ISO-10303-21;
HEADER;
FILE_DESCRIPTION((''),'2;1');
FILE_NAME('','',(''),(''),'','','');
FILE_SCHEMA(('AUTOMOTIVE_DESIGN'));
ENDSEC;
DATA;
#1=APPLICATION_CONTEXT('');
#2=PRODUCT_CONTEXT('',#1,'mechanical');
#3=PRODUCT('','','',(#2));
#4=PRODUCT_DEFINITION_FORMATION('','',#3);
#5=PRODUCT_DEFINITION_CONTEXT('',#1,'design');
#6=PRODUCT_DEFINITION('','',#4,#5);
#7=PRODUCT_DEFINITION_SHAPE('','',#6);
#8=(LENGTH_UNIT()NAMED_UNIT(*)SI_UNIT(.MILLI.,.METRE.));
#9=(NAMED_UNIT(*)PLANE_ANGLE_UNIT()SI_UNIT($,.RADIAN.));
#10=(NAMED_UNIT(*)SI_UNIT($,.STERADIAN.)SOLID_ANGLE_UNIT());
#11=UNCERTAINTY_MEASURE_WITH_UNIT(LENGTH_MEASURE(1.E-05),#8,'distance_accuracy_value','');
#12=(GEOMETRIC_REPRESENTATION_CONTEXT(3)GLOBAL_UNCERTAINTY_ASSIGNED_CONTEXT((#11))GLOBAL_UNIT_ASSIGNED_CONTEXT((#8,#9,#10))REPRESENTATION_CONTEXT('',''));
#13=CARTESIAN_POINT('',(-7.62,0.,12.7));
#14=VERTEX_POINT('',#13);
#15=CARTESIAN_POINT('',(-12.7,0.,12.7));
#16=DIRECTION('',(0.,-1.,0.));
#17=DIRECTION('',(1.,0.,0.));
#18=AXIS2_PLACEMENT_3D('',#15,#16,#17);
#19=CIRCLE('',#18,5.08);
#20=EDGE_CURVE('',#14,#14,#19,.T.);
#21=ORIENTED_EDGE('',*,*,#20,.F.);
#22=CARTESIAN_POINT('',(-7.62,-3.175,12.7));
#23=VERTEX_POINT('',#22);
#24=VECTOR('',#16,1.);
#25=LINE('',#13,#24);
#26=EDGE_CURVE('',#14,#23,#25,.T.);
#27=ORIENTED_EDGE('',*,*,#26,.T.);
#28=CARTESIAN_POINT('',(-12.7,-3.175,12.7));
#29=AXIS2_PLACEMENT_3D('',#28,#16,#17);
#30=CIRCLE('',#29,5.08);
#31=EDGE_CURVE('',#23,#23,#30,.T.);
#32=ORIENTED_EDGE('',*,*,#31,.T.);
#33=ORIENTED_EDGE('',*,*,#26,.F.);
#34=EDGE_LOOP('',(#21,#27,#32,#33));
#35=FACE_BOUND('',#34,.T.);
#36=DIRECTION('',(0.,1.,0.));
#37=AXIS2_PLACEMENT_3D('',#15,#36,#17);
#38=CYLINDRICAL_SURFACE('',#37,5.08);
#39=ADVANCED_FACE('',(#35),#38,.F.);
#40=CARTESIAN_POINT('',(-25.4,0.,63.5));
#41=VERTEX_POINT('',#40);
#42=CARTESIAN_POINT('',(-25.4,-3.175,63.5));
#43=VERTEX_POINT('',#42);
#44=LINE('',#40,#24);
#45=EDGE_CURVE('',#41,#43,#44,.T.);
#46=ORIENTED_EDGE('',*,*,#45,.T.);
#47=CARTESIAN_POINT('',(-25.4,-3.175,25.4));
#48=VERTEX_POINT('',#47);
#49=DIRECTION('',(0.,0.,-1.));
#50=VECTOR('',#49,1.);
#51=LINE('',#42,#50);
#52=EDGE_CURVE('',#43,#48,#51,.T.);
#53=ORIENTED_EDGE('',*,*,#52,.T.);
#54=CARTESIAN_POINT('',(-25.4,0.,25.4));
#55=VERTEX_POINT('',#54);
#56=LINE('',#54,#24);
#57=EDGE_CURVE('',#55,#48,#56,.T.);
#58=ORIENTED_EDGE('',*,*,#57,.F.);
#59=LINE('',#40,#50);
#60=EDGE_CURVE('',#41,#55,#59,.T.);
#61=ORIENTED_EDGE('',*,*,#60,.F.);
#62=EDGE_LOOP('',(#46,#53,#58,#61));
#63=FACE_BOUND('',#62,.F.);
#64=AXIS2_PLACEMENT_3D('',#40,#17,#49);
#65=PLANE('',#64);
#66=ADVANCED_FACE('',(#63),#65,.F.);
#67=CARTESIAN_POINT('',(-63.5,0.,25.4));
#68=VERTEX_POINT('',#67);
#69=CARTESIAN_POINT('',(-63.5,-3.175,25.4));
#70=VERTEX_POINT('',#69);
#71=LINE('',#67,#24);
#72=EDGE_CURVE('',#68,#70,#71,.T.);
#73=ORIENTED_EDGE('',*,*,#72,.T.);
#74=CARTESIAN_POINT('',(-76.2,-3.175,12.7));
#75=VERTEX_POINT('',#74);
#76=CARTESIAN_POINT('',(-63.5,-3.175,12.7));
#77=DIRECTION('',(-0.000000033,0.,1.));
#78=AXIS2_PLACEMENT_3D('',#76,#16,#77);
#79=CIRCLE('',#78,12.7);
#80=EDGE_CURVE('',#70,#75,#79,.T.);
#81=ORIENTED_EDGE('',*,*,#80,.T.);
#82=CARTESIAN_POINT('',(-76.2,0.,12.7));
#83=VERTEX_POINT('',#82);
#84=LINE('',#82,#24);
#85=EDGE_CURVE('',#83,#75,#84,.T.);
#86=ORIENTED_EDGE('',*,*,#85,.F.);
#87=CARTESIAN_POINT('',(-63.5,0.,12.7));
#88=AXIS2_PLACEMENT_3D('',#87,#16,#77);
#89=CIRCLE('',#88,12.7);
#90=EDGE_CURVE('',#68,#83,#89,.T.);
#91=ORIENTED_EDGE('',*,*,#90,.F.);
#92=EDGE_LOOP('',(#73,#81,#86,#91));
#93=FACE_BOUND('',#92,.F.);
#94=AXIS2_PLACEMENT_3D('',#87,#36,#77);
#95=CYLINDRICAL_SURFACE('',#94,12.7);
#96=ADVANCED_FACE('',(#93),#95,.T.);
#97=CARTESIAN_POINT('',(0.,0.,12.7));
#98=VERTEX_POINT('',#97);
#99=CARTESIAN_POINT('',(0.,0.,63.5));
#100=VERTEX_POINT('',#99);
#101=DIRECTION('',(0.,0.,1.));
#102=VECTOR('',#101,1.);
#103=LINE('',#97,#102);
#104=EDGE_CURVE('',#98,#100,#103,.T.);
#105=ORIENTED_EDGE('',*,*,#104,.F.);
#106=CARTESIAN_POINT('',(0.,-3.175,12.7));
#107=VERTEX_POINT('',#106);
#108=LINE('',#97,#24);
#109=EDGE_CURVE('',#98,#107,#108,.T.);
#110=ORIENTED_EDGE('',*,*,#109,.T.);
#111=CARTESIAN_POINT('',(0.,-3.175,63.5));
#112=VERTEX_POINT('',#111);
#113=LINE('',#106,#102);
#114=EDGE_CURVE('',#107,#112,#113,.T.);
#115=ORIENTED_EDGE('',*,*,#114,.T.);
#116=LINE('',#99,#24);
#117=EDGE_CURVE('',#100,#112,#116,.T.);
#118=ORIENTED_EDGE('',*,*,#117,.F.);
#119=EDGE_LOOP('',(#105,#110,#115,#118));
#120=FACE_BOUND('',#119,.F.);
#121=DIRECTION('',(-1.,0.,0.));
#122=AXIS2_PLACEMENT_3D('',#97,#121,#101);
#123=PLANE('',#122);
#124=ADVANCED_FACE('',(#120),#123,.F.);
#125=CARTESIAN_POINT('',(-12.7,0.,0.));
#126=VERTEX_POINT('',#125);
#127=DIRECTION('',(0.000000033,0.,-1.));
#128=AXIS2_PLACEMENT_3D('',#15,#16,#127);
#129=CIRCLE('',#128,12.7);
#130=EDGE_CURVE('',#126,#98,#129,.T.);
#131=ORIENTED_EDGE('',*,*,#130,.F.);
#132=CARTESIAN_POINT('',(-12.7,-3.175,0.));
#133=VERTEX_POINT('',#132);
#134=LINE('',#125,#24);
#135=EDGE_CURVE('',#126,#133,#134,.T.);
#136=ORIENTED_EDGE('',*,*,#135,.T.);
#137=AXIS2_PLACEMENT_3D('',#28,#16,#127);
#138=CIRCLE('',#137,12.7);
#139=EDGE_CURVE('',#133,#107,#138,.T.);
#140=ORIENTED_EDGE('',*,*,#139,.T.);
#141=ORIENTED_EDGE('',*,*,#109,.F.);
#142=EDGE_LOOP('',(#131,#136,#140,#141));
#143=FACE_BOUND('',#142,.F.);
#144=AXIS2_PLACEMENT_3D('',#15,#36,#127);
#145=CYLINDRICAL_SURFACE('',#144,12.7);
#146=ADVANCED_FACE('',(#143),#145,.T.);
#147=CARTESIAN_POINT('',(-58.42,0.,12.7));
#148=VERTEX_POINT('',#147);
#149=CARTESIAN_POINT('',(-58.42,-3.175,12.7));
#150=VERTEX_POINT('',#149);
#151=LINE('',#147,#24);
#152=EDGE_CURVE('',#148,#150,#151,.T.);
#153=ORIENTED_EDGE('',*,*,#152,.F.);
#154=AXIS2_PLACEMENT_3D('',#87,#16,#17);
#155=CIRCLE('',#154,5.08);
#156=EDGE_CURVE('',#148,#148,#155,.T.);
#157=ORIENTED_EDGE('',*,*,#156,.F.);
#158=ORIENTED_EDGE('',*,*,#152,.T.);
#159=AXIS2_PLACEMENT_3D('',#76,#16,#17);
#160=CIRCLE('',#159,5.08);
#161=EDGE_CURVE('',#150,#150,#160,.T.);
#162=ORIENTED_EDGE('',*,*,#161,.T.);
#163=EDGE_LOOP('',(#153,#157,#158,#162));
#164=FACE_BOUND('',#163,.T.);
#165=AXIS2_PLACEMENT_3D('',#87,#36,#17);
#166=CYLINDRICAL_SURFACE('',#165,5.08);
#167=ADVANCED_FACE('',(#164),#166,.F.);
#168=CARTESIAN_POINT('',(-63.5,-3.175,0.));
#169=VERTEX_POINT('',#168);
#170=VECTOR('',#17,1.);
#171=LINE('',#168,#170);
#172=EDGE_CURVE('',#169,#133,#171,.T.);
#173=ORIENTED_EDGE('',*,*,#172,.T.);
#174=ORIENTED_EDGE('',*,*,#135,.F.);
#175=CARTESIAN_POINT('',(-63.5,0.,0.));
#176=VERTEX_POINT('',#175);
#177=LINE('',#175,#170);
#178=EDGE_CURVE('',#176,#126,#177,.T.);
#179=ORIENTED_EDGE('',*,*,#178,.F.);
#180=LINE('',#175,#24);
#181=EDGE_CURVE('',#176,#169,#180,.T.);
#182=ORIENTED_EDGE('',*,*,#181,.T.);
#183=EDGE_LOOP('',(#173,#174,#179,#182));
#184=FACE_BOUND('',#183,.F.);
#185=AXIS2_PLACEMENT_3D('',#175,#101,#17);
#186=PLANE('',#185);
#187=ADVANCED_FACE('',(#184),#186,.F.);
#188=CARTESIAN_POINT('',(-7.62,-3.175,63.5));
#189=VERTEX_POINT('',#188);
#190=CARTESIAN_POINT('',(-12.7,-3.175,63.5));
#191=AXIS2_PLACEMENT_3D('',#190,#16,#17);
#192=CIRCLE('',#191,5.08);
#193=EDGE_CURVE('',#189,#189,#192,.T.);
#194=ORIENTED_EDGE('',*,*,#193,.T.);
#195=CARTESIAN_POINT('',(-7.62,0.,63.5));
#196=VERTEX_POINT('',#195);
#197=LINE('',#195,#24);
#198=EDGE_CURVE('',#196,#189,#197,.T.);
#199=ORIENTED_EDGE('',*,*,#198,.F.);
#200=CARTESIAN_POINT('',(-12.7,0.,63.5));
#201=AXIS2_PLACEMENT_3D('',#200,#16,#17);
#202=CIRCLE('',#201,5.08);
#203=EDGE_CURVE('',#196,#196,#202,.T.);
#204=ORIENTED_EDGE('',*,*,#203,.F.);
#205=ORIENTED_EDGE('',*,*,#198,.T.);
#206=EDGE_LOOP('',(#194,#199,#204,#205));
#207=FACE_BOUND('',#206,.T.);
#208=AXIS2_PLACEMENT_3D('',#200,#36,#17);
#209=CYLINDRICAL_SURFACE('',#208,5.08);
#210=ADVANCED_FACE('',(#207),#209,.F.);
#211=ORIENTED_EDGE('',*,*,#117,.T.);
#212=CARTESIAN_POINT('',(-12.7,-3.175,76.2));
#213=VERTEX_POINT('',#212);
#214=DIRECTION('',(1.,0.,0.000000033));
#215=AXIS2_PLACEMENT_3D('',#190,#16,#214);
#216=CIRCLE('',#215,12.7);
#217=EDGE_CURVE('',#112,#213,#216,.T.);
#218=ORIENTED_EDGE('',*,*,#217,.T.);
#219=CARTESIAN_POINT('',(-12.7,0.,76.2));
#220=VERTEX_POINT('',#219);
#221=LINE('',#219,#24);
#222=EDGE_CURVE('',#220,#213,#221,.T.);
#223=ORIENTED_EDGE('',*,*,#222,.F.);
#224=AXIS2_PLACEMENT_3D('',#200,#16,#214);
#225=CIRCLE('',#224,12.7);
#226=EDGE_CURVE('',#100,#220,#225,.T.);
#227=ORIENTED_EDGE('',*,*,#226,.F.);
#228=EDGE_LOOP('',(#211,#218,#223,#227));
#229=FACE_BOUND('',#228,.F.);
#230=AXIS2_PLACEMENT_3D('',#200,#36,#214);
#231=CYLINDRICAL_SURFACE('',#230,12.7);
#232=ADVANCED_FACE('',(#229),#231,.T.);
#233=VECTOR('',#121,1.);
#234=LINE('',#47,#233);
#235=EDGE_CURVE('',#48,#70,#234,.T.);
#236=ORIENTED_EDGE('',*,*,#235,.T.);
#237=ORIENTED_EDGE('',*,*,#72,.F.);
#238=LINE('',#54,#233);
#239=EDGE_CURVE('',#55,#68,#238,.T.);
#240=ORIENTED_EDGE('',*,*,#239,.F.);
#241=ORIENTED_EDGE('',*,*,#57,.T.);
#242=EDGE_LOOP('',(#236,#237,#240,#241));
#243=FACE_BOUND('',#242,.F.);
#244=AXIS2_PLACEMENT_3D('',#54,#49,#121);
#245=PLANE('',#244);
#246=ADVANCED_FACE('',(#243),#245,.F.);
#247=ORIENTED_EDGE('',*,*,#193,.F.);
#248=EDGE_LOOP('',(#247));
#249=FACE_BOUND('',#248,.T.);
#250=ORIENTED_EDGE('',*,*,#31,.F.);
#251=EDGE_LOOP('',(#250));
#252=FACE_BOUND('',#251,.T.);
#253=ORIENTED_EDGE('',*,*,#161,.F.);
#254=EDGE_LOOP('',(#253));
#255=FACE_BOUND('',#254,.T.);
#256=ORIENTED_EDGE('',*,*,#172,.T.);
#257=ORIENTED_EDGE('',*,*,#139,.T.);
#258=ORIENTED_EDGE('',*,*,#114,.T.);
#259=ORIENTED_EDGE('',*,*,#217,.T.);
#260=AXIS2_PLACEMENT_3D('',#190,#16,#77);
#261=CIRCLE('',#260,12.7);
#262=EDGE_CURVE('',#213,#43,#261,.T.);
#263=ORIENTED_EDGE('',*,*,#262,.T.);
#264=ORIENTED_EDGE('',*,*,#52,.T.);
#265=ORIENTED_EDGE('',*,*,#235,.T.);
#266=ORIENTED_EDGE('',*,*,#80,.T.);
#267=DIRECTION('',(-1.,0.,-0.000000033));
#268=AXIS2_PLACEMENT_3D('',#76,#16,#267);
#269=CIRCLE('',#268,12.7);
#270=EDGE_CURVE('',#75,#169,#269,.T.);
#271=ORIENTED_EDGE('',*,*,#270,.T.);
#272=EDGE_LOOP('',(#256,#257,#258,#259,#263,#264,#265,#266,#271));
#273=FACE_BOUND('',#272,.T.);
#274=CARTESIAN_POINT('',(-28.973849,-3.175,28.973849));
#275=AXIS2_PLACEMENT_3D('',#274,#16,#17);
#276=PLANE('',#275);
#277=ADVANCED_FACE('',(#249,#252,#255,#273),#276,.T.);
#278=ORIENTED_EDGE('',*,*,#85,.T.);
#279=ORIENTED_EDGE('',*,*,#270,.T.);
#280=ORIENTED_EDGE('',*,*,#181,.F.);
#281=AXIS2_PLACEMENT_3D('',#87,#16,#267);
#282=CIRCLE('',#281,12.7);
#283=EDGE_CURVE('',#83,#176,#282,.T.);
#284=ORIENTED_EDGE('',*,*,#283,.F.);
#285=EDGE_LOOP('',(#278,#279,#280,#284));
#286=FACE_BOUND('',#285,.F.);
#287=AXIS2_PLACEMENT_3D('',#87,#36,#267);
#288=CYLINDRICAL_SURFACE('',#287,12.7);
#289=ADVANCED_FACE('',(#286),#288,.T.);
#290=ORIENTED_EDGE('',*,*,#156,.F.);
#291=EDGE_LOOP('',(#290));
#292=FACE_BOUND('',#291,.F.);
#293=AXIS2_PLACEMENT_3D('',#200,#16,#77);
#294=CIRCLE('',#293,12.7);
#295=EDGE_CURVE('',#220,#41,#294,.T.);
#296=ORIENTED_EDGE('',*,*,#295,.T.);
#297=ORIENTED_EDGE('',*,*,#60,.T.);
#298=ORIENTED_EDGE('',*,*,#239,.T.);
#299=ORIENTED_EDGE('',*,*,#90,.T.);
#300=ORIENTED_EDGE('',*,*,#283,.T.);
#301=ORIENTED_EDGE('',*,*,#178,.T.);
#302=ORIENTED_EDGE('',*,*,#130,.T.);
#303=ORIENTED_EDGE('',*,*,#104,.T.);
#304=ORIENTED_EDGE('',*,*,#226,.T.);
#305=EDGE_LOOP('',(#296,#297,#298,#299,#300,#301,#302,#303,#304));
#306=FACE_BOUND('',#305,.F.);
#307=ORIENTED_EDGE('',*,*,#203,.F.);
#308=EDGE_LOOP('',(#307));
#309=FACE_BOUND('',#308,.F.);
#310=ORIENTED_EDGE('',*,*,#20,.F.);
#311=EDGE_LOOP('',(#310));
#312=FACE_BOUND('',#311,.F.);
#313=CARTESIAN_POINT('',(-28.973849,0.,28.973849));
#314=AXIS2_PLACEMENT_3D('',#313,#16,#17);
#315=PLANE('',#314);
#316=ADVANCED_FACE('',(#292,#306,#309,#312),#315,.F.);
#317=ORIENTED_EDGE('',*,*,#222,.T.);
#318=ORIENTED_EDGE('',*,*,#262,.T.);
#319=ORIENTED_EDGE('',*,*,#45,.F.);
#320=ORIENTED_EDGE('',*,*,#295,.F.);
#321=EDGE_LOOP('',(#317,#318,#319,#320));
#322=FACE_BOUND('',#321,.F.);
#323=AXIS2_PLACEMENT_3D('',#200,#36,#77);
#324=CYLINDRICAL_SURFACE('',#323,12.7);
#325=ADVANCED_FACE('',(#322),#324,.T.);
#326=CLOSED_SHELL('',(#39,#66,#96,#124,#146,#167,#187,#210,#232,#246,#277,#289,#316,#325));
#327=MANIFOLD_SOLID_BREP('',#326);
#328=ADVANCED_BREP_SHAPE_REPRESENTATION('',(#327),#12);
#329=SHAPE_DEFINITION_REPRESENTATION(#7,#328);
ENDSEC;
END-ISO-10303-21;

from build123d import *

# Parameters (mm, degrees)
F0_R     = 5.08
F1_DEPTH = 3.175


with BuildPart() as f1:
    # F0 (on Front) → F1 (new body)
    with BuildSketch(Plane.XZ):
        with BuildLine():
            ThreePointArc((-12.7, 0), (-3.719744, 3.719744), (0, 12.7))
            Line((0, 12.7), (0, 63.5))
            ThreePointArc((0, 63.5), (-3.719744, 72.480256), (-12.7, 76.2))
            ThreePointArc((-12.7, 76.2), (-21.680256, 72.480256), (-25.4, 63.5))
            Line((-25.4, 63.5), (-25.4, 25.4))
            Line((-25.4, 25.4), (-63.5, 25.4))
            ThreePointArc((-63.5, 25.4), (-72.480256, 21.680256), (-76.2, 12.7))
            ThreePointArc((-76.2, 12.7), (-72.480256, 3.719744), (-63.5, 0))
            Line((-63.5, 0), (-12.7, 0))
        make_face()
        with Locations((-63.5, 12.7)):
            Circle(F0_R, mode=Mode.SUBTRACT)
        with Locations((-12.7, 12.7)):
            Circle(F0_R, mode=Mode.SUBTRACT)
        with Locations((-12.7, 63.5)):
            Circle(F0_R, mode=Mode.SUBTRACT)
    extrude(amount=F1_DEPTH)


solid = f1.part
